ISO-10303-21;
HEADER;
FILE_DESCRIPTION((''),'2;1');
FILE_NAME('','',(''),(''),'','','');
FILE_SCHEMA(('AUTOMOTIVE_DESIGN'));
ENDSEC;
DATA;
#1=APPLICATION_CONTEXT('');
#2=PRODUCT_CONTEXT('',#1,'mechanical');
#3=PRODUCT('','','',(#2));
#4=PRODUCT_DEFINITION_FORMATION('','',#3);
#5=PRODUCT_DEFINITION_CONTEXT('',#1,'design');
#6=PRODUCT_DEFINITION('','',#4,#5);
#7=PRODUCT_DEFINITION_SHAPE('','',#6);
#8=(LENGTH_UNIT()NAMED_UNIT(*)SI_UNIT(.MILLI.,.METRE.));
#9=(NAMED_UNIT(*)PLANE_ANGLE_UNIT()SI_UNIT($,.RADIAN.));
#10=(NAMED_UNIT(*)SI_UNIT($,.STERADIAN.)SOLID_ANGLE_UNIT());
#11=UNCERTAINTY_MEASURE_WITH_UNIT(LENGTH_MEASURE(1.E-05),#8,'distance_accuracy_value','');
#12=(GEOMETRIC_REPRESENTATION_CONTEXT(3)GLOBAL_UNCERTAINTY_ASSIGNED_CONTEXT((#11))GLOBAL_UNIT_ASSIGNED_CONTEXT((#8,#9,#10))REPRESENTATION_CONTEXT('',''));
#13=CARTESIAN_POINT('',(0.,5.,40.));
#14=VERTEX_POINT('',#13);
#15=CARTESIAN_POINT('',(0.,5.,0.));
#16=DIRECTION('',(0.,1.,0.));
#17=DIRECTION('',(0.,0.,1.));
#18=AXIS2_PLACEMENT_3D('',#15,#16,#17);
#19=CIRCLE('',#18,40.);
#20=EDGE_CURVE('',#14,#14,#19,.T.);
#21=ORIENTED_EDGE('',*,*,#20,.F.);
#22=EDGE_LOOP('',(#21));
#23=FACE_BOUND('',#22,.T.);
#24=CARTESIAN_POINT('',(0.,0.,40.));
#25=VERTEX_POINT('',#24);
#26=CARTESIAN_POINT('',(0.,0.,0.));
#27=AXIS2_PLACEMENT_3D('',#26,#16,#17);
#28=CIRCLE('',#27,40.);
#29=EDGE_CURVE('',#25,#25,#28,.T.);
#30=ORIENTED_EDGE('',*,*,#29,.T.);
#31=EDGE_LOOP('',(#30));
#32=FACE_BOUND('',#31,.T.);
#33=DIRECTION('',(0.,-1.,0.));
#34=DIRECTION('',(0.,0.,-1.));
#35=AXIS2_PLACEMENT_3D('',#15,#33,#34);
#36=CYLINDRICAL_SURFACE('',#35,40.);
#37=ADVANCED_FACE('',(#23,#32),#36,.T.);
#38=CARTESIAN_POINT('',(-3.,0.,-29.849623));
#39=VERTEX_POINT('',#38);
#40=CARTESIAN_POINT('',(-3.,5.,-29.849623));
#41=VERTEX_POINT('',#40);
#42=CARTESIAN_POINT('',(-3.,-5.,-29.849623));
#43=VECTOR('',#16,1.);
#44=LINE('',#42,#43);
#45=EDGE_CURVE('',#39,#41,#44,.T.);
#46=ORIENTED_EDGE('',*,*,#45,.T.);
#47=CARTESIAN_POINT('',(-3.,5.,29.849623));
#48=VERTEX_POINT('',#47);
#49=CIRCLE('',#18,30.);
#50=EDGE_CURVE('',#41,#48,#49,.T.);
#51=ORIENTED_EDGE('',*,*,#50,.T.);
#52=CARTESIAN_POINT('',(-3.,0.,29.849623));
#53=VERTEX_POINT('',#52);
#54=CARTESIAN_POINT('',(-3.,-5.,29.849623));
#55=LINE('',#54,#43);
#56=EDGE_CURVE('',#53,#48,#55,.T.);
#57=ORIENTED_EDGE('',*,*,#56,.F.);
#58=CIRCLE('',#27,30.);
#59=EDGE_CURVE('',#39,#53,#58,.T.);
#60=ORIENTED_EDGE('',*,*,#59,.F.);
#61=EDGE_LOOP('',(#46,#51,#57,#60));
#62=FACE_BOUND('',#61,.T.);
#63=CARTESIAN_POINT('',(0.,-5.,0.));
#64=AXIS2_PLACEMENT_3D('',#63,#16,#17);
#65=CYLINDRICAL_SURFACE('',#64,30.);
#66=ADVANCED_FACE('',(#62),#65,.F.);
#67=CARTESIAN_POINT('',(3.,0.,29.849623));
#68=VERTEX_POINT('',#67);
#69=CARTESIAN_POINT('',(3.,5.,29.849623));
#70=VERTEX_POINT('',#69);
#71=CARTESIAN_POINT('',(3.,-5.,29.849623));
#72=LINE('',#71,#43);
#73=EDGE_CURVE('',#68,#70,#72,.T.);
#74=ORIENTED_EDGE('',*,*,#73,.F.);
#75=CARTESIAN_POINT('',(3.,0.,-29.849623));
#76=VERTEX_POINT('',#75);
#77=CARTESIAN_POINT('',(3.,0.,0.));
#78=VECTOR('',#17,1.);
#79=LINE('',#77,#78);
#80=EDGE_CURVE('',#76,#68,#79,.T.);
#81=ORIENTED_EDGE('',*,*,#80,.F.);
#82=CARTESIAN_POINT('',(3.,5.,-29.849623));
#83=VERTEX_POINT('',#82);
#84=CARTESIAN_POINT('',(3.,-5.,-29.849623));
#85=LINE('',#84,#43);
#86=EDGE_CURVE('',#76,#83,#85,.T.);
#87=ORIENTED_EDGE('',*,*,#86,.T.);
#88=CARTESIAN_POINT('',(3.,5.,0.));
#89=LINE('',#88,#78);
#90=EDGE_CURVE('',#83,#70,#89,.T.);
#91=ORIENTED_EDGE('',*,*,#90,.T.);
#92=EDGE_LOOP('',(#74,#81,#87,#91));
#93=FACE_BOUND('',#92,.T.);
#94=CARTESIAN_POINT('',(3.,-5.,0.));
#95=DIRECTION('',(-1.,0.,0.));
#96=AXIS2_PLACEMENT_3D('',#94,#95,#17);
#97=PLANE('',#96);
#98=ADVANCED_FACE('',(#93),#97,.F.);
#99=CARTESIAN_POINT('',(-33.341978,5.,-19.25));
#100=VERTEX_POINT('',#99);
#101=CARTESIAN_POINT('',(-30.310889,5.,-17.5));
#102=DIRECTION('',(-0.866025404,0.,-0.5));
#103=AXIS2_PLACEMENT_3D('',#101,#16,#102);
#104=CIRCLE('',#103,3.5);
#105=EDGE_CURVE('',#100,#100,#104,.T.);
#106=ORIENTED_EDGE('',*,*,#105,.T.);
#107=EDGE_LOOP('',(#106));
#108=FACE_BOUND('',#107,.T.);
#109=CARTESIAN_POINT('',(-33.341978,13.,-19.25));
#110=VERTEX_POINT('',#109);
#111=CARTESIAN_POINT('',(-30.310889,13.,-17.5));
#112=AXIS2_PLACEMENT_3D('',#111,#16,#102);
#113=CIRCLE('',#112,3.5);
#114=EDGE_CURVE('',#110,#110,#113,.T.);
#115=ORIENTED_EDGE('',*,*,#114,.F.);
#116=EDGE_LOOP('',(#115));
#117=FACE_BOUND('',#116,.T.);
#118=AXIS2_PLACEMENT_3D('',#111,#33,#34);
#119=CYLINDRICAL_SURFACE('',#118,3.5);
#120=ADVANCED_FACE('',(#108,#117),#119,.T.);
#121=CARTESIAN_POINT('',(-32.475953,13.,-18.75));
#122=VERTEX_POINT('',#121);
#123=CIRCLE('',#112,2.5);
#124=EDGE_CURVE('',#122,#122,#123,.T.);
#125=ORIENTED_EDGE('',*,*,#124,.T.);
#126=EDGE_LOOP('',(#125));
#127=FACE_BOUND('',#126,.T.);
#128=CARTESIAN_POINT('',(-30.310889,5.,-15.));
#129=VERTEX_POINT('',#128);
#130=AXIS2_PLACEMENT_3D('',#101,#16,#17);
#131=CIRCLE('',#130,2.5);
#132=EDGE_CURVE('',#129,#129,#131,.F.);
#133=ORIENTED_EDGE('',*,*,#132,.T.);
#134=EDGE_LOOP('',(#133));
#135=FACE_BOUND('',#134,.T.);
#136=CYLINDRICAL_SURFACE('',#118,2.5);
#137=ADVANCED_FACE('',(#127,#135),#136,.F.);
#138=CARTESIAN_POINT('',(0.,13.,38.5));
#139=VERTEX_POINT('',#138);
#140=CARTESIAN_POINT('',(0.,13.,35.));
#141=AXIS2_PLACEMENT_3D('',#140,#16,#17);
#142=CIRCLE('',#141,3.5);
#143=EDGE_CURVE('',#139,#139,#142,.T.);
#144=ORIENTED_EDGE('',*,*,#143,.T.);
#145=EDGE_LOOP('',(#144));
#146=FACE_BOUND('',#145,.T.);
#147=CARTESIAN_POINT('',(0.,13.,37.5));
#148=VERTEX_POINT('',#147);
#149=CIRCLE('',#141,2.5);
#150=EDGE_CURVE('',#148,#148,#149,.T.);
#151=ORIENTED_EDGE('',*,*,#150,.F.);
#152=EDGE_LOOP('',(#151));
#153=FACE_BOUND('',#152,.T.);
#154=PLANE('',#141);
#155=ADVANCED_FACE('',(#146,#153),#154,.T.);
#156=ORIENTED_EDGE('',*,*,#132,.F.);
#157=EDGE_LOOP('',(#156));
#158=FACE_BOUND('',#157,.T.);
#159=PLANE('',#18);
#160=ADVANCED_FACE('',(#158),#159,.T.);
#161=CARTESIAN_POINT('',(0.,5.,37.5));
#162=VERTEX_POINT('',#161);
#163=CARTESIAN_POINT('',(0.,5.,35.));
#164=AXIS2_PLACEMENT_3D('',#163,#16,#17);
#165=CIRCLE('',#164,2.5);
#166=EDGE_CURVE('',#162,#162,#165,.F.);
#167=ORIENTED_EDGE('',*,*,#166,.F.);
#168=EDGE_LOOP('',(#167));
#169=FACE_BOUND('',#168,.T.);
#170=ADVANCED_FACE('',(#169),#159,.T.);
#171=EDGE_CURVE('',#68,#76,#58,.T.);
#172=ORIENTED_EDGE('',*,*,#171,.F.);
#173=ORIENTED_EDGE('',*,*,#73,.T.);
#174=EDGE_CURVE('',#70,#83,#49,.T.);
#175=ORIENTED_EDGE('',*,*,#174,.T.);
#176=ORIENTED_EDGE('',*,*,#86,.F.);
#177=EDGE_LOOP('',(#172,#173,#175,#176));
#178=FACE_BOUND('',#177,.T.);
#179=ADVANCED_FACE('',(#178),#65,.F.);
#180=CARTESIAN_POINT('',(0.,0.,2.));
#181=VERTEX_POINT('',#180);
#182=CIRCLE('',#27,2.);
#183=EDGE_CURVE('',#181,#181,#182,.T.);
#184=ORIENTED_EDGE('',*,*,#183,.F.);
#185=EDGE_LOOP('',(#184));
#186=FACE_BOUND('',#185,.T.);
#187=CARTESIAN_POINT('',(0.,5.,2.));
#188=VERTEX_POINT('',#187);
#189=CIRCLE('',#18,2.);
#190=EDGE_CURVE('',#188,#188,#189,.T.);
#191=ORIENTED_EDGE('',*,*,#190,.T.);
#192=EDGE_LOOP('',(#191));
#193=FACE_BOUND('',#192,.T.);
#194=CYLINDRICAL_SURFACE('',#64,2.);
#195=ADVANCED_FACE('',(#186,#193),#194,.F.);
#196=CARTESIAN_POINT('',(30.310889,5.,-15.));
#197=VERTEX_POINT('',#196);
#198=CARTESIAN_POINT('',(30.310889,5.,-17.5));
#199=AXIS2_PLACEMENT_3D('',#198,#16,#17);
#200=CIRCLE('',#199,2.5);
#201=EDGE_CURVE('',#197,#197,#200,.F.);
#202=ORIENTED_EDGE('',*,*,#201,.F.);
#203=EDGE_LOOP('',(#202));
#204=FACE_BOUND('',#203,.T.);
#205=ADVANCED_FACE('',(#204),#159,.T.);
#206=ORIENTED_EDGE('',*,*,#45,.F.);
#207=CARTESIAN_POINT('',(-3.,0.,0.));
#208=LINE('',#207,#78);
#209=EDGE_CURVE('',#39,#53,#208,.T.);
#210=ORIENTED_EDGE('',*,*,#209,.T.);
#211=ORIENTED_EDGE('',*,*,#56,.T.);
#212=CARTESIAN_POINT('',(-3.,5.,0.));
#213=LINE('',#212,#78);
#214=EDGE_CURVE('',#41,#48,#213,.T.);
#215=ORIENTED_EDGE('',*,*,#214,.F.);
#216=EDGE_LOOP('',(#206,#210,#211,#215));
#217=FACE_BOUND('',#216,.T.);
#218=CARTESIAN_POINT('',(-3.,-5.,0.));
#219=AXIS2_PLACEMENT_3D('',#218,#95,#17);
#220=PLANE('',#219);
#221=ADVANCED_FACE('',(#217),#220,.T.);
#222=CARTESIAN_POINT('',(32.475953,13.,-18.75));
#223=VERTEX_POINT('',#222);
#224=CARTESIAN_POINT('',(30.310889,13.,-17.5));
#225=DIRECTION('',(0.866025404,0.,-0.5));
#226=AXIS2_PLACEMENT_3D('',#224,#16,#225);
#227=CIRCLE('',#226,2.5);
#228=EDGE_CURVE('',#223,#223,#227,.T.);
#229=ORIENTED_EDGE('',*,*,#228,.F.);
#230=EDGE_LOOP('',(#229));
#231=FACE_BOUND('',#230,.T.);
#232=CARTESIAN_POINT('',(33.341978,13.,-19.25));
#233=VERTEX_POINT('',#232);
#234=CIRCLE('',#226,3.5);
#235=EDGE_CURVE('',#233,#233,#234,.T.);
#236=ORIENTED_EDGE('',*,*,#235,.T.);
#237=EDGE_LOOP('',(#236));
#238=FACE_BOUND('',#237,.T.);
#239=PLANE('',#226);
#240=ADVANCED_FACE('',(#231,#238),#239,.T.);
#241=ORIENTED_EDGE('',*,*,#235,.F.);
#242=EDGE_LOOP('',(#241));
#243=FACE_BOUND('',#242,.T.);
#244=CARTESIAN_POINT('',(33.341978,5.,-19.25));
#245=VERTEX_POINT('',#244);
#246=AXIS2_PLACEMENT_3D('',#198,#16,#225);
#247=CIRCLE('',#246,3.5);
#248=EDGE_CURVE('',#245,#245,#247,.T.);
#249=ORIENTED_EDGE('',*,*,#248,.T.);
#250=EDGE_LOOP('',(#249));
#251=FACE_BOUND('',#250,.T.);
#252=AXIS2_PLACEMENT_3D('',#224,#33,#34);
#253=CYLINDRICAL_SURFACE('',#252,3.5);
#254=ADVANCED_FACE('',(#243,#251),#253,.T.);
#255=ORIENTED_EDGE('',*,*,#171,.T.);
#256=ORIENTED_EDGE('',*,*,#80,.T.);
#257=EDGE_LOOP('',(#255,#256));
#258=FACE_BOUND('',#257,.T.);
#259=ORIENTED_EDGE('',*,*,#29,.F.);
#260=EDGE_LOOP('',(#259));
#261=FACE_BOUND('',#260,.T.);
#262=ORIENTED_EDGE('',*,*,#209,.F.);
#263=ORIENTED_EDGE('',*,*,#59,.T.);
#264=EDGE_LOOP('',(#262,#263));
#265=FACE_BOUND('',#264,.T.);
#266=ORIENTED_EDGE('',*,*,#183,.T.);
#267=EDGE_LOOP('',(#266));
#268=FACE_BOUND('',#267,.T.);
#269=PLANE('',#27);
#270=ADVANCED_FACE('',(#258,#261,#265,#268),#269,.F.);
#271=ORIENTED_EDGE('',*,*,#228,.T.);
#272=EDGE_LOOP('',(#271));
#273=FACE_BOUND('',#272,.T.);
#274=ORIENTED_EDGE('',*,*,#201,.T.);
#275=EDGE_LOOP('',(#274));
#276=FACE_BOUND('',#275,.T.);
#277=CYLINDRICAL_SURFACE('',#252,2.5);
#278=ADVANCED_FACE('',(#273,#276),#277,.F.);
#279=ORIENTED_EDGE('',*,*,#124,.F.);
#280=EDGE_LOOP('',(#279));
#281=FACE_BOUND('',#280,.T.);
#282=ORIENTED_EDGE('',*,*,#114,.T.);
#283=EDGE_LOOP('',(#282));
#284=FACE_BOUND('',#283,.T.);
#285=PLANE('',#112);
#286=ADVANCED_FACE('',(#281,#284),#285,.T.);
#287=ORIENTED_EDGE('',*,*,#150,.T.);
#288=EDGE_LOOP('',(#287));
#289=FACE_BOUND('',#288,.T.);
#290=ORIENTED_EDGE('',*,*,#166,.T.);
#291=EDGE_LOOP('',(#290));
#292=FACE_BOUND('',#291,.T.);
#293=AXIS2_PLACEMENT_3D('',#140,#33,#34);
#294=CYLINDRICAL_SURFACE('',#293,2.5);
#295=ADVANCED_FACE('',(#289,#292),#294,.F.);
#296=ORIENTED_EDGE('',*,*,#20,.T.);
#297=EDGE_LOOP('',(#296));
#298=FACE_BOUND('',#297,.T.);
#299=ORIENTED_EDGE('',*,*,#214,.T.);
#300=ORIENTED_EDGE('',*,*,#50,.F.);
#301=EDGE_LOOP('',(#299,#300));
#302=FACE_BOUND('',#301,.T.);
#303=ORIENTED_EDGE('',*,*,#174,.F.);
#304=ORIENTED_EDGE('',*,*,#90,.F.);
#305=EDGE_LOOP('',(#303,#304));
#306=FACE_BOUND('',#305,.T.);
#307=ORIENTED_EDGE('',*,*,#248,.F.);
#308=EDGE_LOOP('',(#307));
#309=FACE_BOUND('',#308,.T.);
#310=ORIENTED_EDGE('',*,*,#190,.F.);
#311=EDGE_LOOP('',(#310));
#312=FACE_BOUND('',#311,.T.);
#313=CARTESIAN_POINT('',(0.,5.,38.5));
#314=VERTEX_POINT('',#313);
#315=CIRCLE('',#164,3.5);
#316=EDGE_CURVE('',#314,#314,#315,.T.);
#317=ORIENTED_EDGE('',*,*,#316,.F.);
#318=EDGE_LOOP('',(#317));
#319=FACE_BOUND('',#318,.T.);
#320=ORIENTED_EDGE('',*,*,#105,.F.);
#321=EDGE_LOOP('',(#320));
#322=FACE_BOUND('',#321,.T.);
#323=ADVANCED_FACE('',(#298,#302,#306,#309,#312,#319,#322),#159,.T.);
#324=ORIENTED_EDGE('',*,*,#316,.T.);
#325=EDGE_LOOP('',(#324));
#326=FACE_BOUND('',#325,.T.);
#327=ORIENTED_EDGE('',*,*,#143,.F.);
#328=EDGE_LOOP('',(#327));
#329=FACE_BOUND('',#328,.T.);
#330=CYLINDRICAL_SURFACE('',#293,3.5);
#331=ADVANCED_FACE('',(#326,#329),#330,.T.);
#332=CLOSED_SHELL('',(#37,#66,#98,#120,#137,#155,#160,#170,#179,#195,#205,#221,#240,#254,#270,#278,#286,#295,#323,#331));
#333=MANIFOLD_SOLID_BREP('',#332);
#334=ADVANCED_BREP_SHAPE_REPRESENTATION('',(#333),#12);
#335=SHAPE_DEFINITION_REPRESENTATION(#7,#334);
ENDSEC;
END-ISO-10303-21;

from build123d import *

# Parameters (mm, degrees)
SKETCH_3_R               = 40
EXTRUDE_2_DEPTH          = 5
CUT_EXTRUDE_2_DEPTH      = 10
SKETCH_6_R               = 2
CUT_EXTRUDE_3_DEPTH      = 10
SKETCH_8_R               = 3.5
SKETCH_8_R_2             = 2.5
EXTRUDE_3_DEPTH          = 8
PATTERN_CIRCULAR_1_COUNT = 3


with BuildPart() as part:
    # 草图3 → 凸台-拉伸2 (new body)
    with BuildSketch(Plane(origin=(0, 0, 0), x_dir=(1, 0, 0), z_dir=(0, 1, 0))):
        with Locations(Location((0, 0, 0), (0, 0, 270))):
            Circle(SKETCH_3_R)
    extrude(amount=EXTRUDE_2_DEPTH)

    # 草图5 → 切除-拉伸2 (cut)
    with BuildSketch(Plane(origin=(0, 5, 0), x_dir=(1, 0, 0), z_dir=(0, 1, 0))):
        with BuildLine():
            Line((-3, -29.849623113), (-3, 29.849623113))
            ThreePointArc((-3, 29.849623113), (-30, 0), (-3, -29.849623113))
        make_face()
        with BuildLine():
            ThreePointArc((30, 0), (22.248595461, 20.124611797), (3, 29.849623113))
            Line((3, 29.849623113), (3, -29.849623113))
            ThreePointArc((3, -29.849623113), (22.248595461, -20.124611797), (30, 0))
        make_face()
    extrude(amount=-CUT_EXTRUDE_2_DEPTH, mode=Mode.SUBTRACT)

    # 草图6 → 切除-拉伸3 (cut)
    with BuildSketch(Plane(origin=(0, 5, 0), x_dir=(1, 0, 0), z_dir=(0, 1, 0))):
        with Locations(Location((0, 0, 0), (0, 0, 270))):
            Circle(SKETCH_6_R)
    extrude(amount=-CUT_EXTRUDE_3_DEPTH, mode=Mode.SUBTRACT)

    # 草图8 → 凸台-拉伸3 (add)
    with BuildSketch(Plane(origin=(0, 5, 0), x_dir=(1, 0, 0), z_dir=(0, 1, 0))):
        with Locations(Location((0, -35, 0), (0, 0, 270))):
            Circle(SKETCH_8_R)
        with Locations(Location((0, -35, 0), (0, 0, 270))):
            Circle(SKETCH_8_R_2, mode=Mode.SUBTRACT)
    extrude_3 = extrude(amount=EXTRUDE_3_DEPTH)

    # 阵列(圆周)1: 凸台-拉伸3 ×3 about axis
    pattern_circular_1_axis = Axis((0, 0, 0), (0, 1, 0))
    for i in range(1, PATTERN_CIRCULAR_1_COUNT):
        add(extrude_3.rotate(pattern_circular_1_axis, i * 360 / PATTERN_CIRCULAR_1_COUNT))


solid = part.part
